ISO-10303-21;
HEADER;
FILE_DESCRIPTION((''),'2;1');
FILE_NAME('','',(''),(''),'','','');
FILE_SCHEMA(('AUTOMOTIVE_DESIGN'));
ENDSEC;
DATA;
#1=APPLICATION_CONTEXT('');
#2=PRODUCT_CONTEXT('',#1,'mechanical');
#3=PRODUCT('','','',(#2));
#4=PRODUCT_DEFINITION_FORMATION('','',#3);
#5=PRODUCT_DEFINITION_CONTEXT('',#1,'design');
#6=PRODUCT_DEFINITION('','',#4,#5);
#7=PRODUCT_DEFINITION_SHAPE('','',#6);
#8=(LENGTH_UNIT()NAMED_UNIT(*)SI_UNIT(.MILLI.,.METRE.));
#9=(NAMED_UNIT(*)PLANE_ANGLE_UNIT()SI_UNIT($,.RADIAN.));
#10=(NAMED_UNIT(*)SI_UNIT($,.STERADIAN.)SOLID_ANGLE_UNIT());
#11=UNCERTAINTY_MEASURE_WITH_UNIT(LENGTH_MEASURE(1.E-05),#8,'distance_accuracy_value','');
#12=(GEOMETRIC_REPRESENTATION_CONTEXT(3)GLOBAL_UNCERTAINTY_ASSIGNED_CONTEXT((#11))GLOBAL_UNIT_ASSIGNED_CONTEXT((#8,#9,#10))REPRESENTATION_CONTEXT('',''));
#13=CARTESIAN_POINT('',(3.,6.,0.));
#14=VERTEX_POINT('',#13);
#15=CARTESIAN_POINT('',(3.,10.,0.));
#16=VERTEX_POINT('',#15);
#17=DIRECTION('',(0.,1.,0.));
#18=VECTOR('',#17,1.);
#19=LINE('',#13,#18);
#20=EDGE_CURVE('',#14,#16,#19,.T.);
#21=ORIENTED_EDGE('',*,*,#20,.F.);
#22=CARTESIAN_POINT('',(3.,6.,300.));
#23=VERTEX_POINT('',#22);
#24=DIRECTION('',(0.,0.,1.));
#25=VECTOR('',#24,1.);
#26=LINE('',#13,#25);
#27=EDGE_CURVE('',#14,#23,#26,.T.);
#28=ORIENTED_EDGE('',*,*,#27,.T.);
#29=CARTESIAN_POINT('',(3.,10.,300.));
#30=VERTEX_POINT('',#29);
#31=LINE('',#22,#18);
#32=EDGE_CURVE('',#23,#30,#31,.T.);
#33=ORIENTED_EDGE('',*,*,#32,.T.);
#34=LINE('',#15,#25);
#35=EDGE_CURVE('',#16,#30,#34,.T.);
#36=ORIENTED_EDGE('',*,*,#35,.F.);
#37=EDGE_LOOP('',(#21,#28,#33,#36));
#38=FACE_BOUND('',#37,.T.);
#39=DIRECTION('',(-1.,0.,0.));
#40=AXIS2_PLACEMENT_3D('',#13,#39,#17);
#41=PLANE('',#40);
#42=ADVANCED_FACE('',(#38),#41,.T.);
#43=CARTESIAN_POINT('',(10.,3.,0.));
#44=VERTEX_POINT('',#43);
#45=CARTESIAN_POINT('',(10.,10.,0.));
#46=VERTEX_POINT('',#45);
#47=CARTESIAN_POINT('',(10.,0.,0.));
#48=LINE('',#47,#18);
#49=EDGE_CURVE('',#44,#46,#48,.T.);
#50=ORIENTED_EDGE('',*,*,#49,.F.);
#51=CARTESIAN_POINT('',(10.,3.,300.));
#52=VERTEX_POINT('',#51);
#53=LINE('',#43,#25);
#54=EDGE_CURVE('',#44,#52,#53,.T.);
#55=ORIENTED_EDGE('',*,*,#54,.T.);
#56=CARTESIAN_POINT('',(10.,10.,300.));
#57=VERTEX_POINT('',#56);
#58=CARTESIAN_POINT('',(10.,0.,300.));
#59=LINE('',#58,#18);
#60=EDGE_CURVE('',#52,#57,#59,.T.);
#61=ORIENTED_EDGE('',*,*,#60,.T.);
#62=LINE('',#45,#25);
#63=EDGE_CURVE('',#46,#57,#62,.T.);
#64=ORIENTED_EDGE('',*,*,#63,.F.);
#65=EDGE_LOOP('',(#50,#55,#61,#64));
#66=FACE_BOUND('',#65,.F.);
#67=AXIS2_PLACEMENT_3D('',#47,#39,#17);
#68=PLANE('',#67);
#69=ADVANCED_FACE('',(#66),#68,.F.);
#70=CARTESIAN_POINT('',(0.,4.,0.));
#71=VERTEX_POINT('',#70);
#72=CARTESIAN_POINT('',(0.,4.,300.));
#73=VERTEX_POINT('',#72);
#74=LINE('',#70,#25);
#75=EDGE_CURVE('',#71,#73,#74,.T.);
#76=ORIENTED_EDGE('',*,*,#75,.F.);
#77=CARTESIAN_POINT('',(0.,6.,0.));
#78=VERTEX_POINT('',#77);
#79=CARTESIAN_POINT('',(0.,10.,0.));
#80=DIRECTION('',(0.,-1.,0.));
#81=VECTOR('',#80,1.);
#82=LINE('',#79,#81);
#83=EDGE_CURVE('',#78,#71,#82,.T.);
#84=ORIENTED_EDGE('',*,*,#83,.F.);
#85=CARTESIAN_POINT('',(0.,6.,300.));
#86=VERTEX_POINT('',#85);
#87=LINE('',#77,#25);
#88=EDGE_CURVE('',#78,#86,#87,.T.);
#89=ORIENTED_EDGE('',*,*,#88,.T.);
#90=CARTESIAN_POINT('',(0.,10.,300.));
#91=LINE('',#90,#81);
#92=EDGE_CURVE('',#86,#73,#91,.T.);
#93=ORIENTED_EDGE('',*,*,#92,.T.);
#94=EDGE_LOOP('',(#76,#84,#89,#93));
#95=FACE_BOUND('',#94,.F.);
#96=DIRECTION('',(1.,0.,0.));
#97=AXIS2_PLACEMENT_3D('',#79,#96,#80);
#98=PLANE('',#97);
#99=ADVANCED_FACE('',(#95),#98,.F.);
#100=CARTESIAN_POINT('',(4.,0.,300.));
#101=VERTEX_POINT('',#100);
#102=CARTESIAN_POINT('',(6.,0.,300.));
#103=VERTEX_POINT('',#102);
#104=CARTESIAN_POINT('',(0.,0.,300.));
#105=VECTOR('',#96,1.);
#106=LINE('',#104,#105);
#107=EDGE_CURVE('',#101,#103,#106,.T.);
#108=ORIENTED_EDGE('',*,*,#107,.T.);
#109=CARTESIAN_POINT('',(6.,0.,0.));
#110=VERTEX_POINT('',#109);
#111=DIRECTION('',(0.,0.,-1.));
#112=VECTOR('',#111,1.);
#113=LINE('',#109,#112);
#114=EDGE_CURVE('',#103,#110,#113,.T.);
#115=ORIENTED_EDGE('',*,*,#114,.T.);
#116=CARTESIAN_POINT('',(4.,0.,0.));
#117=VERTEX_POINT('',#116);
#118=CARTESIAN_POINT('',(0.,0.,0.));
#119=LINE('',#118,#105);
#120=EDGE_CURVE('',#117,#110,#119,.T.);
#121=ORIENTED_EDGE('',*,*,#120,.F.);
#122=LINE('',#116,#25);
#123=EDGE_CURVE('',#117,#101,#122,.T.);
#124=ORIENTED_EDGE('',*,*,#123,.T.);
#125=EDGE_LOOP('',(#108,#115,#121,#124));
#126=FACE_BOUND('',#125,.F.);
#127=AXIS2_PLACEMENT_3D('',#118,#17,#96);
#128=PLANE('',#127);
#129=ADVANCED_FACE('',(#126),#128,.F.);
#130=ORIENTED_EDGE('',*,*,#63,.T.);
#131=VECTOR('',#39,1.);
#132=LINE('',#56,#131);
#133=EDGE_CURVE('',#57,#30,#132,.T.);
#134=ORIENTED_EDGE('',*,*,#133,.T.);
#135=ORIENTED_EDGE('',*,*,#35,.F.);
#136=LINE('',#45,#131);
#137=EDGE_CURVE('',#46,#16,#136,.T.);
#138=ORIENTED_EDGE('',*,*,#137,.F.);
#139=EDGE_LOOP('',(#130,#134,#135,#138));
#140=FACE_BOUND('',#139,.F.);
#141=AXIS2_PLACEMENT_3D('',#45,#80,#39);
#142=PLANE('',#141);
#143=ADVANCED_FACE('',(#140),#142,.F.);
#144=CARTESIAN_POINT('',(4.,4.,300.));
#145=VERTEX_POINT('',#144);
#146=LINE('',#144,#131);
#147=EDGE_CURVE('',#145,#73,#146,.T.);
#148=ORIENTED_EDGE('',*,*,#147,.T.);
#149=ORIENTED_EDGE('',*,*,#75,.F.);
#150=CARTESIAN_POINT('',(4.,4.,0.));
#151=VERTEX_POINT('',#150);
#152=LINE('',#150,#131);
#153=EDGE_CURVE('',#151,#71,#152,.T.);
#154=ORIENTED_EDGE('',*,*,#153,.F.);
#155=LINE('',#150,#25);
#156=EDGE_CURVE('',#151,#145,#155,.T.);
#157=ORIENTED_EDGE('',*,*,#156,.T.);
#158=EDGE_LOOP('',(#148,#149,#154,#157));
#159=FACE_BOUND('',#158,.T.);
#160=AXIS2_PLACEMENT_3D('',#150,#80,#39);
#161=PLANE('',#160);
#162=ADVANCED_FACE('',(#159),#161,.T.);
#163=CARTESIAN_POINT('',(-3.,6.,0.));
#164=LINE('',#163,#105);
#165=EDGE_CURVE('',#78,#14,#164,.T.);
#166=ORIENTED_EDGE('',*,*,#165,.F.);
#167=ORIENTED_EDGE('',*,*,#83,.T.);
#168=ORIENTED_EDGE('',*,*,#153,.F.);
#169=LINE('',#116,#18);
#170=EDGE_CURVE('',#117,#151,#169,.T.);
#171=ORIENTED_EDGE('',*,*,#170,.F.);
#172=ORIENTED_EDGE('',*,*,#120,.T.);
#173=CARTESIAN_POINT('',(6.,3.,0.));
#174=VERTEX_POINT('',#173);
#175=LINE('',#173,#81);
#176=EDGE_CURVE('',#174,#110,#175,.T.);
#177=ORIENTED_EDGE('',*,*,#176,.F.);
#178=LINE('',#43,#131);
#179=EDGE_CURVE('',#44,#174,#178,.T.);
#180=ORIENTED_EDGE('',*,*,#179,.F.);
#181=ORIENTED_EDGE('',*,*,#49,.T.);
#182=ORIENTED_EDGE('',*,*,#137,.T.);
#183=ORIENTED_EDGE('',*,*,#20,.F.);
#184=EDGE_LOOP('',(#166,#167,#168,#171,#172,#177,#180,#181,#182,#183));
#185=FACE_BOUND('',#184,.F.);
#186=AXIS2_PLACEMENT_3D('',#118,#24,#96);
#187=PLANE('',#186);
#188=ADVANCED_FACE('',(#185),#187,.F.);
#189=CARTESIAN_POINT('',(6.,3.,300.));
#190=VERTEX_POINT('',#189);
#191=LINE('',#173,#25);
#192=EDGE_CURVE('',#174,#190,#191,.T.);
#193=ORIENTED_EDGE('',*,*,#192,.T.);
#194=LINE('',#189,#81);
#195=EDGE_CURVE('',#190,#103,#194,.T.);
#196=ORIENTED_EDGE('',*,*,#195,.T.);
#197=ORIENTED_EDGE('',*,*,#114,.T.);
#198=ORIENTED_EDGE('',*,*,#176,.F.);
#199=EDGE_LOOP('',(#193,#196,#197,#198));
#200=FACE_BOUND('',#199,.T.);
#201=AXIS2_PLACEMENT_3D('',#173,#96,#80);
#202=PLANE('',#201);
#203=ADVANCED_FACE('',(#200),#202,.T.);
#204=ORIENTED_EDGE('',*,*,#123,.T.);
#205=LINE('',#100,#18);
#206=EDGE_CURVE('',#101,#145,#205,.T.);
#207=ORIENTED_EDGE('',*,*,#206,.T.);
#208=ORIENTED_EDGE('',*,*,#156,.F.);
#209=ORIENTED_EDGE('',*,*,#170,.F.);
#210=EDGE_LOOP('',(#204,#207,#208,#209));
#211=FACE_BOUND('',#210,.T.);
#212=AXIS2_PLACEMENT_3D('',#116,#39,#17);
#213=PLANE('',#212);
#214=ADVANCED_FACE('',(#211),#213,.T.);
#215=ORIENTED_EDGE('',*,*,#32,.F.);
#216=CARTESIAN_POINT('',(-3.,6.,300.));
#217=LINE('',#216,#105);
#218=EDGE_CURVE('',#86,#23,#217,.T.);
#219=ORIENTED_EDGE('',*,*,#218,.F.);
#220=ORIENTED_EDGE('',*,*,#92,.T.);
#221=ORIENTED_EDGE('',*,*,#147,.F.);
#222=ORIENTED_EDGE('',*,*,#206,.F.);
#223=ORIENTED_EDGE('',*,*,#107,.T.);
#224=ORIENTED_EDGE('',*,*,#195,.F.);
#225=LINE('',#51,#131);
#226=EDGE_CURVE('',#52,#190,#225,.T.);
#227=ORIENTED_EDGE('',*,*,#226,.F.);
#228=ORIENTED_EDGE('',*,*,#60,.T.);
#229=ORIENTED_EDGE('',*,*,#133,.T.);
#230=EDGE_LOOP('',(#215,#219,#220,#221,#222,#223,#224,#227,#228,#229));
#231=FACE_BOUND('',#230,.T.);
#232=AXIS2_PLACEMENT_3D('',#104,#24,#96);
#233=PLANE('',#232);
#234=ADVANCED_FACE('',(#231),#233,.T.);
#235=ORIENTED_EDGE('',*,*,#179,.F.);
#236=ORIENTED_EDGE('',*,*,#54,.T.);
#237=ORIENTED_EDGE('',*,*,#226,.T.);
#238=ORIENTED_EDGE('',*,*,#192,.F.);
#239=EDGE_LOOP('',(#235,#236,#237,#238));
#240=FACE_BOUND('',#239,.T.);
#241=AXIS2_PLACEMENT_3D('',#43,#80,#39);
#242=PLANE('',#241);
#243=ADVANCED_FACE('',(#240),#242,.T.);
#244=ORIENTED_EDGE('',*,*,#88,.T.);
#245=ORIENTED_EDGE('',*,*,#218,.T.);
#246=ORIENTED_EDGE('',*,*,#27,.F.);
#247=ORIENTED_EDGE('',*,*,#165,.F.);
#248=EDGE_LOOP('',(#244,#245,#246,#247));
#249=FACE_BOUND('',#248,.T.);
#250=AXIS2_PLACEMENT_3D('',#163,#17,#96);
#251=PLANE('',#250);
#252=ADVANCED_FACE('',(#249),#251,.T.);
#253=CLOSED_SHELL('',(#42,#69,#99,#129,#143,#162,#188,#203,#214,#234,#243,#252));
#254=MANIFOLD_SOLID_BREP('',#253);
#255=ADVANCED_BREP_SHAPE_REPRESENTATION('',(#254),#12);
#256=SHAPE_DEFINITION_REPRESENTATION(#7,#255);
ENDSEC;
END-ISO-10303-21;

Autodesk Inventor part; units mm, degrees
ref_plane "YZ Plane" through (0, 0, 0) normal (1, 0, 0) x (0, 1, 0)
ref_plane "XZ Plane" through (0, 0, 0) normal (0, 1, 0) x (-1, 0, 0)
sketch "Skizze1" plane through (0, 0, 0) normal (0, 0, 1) x (1, 0, 0)
  line L0 (0, 0) -> (10, 0)
  line L1 (10, 0) -> (10, 10)
  line L2 (10, 10) -> (0, 10)
  line L3 (0, 10) -> (0, 0)
extrude "Extrusion1" add sketch "Skizze1" along normal blind 300
sketch "Skizze2" plane through (0, 0, 0) normal (0, 0, 1) x (1, 0, 0)
  line L0 (0, 0) -> (4, 0)
  line L1 (4, 0) -> (4, 4)
  line L2 (4, 4) -> (0, 4)
  line L3 (0, 4) -> (0, 0)
extrude "Extrusion2" cut sketch "Skizze2" along normal blind 300
sketch "Skizze3" plane through (0, 0, 0) normal (0, 0, 1) x (1, 0, 0)
  line L0 (-3, 6) -> (3, 6)
  line L1 (3, 6) -> (3, 10)
  line L2 (3, 10) -> (-3, 10)
  line L3 (-3, 10) -> (-3, 6)
extrude "Extrusion3" cut sketch "Skizze3" along normal blind 300
sketch "Skizze4" plane through (0, 0, 0) normal (0, 0, 1) x (1, 0, 0)
  line L0 (-3, -10) -> (3, -10)
  line L1 (3, -10) -> (3, -6)
  line L2 (3, -6) -> (-3, -6)
  line L3 (-3, -6) -> (-3, -10)
extrude "Extrusion4" cut sketch "Skizze4" along normal blind 300
sketch "Skizze5" plane through (0, 0, 0) normal (0, 0, 1) x (1, 0, 0)
  line L0 (-10, -3) -> (-6, -3)
  line L1 (-6, -3) -> (-6, 3)
  line L2 (-6, 3) -> (-10, 3)
  line L3 (-10, 3) -> (-10, -3)
extrude "Extrusion5" cut sketch "Skizze5" along normal blind 300
sketch "Skizze6" plane through (0, 0, 0) normal (0, 0, 1) x (1, 0, 0)
  line L0 (6, -3) -> (10, -3)
  line L1 (10, -3) -> (10, 3)
  line L2 (10, 3) -> (6, 3)
  line L3 (6, 3) -> (6, -3)
extrude "Extrusion6" cut sketch "Skizze6" along normal blind 300
ref_plane "Arbeitsebene1" through (0, 0, 300) normal (0, 0, 1) x (1, 0, 0)
sketch "Skizze7" plane through (0, 0, 0) normal (0, 0, 1) x (1, 0, 0)
  circle A0 centre (0, 0) radius 2.5
extrude "Extrusion7" cut sketch "Skizze7" along normal blind 10
sketch "Skizze8" plane through (0, 0, 300) normal (0, 0, 1) x (1, 0, 0)
  circle A0 centre (0, 0) radius 2.5
extrude "Extrusion8" cut sketch "Skizze8" along normal blind 10
properties part number "Aluprofil_20x20_L300"
